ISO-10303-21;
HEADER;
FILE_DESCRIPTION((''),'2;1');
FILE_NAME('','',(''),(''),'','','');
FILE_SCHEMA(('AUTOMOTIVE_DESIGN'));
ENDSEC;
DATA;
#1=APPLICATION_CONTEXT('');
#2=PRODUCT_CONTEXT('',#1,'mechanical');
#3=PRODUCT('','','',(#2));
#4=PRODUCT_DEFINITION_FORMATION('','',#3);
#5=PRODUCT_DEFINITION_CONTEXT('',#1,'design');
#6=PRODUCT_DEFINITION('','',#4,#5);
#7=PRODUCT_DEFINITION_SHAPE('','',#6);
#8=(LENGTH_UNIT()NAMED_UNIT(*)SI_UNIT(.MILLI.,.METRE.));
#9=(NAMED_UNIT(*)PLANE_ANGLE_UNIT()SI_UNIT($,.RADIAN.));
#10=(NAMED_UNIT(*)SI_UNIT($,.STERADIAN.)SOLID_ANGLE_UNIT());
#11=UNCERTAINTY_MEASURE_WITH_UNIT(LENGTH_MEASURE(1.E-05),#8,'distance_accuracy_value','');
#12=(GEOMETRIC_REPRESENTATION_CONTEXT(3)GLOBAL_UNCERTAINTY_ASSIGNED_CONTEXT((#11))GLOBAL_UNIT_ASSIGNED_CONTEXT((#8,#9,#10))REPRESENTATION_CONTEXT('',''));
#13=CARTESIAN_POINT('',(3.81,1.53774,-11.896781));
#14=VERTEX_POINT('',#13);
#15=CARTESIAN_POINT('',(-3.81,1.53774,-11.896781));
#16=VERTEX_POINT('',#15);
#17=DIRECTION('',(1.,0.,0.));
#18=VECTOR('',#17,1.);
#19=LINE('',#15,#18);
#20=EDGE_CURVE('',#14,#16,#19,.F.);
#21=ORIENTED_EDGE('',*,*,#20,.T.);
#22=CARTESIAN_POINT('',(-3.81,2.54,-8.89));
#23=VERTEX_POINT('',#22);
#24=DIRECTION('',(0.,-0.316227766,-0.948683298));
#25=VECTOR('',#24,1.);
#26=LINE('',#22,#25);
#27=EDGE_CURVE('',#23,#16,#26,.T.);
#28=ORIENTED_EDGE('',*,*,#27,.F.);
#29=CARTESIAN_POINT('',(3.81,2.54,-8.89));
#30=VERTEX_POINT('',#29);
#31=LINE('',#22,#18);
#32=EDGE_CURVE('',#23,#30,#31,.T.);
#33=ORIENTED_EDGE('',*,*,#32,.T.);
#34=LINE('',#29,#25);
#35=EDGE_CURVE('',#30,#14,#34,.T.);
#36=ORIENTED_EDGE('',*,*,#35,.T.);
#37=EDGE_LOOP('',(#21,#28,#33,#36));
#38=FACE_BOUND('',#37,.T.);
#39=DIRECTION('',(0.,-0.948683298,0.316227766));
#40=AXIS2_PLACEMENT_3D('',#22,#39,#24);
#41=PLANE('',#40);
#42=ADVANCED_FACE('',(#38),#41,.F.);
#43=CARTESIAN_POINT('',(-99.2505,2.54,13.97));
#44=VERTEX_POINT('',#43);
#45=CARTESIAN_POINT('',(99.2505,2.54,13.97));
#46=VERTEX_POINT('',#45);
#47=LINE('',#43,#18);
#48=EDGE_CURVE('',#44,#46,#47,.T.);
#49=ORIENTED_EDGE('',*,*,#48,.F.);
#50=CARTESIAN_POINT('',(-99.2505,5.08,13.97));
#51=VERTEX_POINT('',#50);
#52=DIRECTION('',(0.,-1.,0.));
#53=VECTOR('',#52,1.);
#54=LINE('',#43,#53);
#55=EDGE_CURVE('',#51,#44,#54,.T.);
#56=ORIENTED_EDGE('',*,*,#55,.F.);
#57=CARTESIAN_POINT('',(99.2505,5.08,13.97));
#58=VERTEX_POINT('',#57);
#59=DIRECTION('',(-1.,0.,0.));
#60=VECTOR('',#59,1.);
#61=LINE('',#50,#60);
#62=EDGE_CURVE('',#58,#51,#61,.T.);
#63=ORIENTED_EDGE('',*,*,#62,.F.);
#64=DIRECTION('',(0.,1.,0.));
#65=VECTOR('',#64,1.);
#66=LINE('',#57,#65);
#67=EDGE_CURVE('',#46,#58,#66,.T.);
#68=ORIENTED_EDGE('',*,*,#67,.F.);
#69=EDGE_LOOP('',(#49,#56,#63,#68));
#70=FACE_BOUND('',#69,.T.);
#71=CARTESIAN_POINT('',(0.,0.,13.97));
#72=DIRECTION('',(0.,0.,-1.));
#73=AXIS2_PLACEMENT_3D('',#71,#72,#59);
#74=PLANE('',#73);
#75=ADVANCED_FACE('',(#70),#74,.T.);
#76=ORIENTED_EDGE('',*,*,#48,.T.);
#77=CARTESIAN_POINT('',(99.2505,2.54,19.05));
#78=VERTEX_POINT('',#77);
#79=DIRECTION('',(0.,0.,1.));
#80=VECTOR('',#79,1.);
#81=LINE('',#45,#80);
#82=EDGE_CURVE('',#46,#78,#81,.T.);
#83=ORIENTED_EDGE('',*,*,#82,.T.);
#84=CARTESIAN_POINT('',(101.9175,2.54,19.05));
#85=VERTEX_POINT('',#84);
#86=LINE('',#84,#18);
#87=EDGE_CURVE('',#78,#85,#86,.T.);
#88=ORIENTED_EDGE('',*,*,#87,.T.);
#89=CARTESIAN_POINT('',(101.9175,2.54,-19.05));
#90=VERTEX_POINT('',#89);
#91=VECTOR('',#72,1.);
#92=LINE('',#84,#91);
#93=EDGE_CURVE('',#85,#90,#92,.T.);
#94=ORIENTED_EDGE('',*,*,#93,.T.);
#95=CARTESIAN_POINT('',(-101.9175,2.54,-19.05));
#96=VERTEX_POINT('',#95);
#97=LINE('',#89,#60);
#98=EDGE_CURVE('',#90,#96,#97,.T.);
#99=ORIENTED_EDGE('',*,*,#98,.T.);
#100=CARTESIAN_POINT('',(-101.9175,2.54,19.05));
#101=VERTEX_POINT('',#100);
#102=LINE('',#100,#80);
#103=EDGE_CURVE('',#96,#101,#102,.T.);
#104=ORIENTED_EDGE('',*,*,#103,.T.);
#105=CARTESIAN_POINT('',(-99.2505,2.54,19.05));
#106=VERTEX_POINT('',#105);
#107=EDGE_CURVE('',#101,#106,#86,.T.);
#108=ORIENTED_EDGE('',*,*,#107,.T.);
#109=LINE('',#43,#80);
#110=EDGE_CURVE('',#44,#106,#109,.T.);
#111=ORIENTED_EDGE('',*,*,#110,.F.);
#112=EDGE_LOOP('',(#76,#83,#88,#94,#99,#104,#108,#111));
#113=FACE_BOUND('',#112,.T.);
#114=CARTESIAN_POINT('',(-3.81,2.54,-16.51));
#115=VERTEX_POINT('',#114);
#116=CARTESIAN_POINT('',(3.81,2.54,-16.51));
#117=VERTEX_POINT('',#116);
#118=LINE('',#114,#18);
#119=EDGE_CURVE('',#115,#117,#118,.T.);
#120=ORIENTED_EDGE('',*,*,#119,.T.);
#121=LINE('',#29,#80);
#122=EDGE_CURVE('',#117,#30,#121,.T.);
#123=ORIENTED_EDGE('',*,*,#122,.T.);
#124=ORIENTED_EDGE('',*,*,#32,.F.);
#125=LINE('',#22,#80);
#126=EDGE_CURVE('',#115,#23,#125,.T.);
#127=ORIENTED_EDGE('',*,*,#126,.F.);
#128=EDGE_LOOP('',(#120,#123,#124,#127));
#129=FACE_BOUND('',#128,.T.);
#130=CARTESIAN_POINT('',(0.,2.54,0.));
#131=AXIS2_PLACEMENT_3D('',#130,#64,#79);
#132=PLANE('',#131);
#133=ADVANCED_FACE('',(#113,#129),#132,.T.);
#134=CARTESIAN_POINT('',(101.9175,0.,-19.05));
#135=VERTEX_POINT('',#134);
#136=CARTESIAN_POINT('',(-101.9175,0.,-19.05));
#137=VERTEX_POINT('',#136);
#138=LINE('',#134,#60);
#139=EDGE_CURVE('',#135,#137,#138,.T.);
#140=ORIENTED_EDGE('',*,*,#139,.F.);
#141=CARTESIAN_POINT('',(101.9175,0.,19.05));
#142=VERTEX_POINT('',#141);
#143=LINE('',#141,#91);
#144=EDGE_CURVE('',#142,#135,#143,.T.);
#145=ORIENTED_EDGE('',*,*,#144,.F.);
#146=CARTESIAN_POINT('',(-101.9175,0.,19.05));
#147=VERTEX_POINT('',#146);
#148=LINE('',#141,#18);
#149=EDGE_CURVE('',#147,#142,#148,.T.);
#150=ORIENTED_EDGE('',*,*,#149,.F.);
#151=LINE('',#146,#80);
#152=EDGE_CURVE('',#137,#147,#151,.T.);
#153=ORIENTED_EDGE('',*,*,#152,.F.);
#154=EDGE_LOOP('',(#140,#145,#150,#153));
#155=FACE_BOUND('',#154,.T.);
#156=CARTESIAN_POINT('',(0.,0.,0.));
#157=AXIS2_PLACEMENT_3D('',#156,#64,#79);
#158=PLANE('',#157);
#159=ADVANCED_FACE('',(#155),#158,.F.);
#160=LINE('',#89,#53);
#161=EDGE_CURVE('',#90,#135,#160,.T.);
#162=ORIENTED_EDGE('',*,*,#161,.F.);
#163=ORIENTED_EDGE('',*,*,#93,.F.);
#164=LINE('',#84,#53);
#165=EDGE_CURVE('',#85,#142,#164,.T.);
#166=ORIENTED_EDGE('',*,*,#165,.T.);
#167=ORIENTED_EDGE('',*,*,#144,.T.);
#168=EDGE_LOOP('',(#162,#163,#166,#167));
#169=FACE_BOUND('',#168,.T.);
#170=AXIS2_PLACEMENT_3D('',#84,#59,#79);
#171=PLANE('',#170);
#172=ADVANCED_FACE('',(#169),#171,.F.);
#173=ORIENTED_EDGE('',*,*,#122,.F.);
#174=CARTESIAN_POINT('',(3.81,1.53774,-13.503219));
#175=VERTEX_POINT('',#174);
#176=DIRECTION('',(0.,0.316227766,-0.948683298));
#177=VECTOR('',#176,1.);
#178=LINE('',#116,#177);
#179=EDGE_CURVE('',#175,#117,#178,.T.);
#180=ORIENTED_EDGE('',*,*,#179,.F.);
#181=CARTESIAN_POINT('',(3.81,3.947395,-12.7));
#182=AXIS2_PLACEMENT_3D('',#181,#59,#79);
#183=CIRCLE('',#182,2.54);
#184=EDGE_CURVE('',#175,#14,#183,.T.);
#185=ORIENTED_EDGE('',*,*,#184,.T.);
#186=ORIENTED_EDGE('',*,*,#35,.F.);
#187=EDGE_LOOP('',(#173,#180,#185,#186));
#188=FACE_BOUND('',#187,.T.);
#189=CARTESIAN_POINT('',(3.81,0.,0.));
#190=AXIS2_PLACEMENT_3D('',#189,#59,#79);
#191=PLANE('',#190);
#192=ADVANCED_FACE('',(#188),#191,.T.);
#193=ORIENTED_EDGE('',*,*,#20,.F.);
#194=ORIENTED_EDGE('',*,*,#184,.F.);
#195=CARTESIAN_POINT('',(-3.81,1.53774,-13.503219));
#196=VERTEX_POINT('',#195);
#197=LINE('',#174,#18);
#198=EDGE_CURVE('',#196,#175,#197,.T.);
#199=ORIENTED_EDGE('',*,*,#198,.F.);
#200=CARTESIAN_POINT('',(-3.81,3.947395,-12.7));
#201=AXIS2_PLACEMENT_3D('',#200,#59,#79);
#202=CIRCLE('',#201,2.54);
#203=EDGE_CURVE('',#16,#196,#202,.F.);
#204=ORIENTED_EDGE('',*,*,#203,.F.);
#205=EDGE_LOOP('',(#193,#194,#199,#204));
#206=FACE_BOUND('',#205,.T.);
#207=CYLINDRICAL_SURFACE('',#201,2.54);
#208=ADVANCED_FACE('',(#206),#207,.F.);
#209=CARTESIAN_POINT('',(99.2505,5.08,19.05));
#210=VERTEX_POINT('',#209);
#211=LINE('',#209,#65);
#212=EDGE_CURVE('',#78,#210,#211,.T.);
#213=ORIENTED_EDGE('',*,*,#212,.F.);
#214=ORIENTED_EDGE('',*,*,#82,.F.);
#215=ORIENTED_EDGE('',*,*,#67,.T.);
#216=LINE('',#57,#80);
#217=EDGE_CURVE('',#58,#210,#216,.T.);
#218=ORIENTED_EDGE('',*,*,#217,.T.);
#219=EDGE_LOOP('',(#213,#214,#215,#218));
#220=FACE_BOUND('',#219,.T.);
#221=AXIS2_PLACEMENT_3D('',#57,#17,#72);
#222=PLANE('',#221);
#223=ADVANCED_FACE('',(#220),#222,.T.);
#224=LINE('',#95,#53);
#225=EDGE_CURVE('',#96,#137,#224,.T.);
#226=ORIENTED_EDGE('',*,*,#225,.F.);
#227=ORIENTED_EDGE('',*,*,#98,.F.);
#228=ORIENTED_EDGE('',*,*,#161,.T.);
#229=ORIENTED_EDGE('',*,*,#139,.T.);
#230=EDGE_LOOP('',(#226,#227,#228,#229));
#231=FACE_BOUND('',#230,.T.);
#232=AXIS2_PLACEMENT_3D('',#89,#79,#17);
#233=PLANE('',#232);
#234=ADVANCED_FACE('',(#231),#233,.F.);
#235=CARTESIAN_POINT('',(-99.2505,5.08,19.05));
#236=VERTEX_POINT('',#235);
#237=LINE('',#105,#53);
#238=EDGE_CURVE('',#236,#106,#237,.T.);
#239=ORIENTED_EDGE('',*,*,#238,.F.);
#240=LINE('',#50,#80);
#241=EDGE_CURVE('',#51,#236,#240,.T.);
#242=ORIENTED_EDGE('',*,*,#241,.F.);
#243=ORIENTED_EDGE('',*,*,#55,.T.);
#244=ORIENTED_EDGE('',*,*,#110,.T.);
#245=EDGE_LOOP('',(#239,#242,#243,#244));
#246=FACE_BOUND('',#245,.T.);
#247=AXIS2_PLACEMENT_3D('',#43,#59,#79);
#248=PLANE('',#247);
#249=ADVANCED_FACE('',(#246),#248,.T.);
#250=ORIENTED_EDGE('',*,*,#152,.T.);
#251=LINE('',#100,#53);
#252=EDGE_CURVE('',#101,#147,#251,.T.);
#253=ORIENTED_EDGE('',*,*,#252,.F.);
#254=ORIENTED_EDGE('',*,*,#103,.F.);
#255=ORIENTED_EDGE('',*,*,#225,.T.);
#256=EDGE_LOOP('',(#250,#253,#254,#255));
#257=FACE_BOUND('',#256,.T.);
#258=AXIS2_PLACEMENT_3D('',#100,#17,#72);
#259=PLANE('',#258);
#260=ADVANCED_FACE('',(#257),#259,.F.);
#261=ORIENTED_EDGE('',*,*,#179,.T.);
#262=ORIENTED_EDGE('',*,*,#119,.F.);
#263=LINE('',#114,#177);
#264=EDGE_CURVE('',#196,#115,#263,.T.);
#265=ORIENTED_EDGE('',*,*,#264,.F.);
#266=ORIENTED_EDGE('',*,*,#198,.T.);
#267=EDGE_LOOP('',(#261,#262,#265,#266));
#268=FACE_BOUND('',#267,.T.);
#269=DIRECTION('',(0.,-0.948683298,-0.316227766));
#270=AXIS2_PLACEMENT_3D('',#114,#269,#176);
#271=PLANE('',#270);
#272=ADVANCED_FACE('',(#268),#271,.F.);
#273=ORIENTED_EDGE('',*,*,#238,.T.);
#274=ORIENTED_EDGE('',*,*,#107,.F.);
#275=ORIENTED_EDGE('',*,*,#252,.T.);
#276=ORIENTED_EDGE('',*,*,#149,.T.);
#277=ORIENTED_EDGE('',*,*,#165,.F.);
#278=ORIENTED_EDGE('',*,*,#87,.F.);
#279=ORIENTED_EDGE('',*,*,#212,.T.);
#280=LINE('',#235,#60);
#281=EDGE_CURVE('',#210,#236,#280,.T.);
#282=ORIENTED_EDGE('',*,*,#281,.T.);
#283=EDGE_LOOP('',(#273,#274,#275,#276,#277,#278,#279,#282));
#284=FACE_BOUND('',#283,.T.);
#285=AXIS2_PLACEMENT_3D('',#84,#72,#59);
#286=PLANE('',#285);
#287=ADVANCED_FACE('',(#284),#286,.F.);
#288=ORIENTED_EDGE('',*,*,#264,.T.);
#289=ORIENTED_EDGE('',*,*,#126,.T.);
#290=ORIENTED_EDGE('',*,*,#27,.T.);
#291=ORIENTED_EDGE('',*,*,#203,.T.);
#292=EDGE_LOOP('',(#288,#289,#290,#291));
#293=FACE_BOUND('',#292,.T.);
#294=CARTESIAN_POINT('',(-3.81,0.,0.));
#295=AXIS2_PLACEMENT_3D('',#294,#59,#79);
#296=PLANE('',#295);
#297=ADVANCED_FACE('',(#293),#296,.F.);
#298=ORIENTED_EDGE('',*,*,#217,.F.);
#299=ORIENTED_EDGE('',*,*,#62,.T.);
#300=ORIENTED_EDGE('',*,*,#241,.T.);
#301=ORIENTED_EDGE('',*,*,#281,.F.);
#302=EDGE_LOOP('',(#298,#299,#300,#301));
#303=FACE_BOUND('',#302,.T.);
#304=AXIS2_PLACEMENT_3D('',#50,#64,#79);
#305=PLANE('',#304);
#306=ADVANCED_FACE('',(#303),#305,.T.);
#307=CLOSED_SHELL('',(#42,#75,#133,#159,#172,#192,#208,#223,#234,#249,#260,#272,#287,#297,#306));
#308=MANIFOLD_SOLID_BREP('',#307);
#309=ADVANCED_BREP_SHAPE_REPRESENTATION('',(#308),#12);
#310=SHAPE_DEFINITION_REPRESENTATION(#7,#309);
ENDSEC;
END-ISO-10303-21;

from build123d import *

# Parameters (mm, degrees)
SKETCH1_W               = 203.835
SKETCH1_H               = 38.1
BOSS_EXTRUDE1_DEPTH     = 2.54
SKETCH2_W               = 198.501
SKETCH2_H               = 2.54
BOSS_EXTRUDE2_DEPTH     = 5.08
CUT_EXTRUDE1_DEPTH      = 3.81
CUT_EXTRUDE1_DEPTH_BACK = 3.81
FILLET2_R               = 2.54


with BuildPart() as part:
    # Sketch1 → Boss-Extrude1 (new body)
    with BuildSketch(Plane(origin=(0, 0, 0), x_dir=(1, 0, 0), z_dir=(0, 1, 0))):
        Rectangle(SKETCH1_W, SKETCH1_H)
    extrude(amount=BOSS_EXTRUDE1_DEPTH)

    # Sketch2 → Boss-Extrude2 (add)
    with BuildSketch(Plane.XY.offset(19.05)):
        with Locations((0, 3.81)):
            Rectangle(SKETCH2_W, SKETCH2_H)
    extrude(amount=-BOSS_EXTRUDE2_DEPTH)

    # Sketch5 → Cut-Extrude1 (cut, two sides)
    with BuildSketch(Plane(origin=(0, 0, 0), x_dir=(0, 0, -1), z_dir=(1, 0, 0))) as cut_extrude1_sk:
        Polygon((16.51, 2.54), (12.7, 1.27), (8.89, 2.54), align=None)
    extrude(amount=CUT_EXTRUDE1_DEPTH, mode=Mode.SUBTRACT)
    extrude(cut_extrude1_sk.sketch, amount=-CUT_EXTRUDE1_DEPTH_BACK, mode=Mode.SUBTRACT)

    # Fillet2
    fillet2_edges = [part.edges().sort_by_distance(p)[0] for p in [
        (0, 1.27, -12.7),
    ]]
    fillet(fillet2_edges, radius=FILLET2_R)


solid = part.part
